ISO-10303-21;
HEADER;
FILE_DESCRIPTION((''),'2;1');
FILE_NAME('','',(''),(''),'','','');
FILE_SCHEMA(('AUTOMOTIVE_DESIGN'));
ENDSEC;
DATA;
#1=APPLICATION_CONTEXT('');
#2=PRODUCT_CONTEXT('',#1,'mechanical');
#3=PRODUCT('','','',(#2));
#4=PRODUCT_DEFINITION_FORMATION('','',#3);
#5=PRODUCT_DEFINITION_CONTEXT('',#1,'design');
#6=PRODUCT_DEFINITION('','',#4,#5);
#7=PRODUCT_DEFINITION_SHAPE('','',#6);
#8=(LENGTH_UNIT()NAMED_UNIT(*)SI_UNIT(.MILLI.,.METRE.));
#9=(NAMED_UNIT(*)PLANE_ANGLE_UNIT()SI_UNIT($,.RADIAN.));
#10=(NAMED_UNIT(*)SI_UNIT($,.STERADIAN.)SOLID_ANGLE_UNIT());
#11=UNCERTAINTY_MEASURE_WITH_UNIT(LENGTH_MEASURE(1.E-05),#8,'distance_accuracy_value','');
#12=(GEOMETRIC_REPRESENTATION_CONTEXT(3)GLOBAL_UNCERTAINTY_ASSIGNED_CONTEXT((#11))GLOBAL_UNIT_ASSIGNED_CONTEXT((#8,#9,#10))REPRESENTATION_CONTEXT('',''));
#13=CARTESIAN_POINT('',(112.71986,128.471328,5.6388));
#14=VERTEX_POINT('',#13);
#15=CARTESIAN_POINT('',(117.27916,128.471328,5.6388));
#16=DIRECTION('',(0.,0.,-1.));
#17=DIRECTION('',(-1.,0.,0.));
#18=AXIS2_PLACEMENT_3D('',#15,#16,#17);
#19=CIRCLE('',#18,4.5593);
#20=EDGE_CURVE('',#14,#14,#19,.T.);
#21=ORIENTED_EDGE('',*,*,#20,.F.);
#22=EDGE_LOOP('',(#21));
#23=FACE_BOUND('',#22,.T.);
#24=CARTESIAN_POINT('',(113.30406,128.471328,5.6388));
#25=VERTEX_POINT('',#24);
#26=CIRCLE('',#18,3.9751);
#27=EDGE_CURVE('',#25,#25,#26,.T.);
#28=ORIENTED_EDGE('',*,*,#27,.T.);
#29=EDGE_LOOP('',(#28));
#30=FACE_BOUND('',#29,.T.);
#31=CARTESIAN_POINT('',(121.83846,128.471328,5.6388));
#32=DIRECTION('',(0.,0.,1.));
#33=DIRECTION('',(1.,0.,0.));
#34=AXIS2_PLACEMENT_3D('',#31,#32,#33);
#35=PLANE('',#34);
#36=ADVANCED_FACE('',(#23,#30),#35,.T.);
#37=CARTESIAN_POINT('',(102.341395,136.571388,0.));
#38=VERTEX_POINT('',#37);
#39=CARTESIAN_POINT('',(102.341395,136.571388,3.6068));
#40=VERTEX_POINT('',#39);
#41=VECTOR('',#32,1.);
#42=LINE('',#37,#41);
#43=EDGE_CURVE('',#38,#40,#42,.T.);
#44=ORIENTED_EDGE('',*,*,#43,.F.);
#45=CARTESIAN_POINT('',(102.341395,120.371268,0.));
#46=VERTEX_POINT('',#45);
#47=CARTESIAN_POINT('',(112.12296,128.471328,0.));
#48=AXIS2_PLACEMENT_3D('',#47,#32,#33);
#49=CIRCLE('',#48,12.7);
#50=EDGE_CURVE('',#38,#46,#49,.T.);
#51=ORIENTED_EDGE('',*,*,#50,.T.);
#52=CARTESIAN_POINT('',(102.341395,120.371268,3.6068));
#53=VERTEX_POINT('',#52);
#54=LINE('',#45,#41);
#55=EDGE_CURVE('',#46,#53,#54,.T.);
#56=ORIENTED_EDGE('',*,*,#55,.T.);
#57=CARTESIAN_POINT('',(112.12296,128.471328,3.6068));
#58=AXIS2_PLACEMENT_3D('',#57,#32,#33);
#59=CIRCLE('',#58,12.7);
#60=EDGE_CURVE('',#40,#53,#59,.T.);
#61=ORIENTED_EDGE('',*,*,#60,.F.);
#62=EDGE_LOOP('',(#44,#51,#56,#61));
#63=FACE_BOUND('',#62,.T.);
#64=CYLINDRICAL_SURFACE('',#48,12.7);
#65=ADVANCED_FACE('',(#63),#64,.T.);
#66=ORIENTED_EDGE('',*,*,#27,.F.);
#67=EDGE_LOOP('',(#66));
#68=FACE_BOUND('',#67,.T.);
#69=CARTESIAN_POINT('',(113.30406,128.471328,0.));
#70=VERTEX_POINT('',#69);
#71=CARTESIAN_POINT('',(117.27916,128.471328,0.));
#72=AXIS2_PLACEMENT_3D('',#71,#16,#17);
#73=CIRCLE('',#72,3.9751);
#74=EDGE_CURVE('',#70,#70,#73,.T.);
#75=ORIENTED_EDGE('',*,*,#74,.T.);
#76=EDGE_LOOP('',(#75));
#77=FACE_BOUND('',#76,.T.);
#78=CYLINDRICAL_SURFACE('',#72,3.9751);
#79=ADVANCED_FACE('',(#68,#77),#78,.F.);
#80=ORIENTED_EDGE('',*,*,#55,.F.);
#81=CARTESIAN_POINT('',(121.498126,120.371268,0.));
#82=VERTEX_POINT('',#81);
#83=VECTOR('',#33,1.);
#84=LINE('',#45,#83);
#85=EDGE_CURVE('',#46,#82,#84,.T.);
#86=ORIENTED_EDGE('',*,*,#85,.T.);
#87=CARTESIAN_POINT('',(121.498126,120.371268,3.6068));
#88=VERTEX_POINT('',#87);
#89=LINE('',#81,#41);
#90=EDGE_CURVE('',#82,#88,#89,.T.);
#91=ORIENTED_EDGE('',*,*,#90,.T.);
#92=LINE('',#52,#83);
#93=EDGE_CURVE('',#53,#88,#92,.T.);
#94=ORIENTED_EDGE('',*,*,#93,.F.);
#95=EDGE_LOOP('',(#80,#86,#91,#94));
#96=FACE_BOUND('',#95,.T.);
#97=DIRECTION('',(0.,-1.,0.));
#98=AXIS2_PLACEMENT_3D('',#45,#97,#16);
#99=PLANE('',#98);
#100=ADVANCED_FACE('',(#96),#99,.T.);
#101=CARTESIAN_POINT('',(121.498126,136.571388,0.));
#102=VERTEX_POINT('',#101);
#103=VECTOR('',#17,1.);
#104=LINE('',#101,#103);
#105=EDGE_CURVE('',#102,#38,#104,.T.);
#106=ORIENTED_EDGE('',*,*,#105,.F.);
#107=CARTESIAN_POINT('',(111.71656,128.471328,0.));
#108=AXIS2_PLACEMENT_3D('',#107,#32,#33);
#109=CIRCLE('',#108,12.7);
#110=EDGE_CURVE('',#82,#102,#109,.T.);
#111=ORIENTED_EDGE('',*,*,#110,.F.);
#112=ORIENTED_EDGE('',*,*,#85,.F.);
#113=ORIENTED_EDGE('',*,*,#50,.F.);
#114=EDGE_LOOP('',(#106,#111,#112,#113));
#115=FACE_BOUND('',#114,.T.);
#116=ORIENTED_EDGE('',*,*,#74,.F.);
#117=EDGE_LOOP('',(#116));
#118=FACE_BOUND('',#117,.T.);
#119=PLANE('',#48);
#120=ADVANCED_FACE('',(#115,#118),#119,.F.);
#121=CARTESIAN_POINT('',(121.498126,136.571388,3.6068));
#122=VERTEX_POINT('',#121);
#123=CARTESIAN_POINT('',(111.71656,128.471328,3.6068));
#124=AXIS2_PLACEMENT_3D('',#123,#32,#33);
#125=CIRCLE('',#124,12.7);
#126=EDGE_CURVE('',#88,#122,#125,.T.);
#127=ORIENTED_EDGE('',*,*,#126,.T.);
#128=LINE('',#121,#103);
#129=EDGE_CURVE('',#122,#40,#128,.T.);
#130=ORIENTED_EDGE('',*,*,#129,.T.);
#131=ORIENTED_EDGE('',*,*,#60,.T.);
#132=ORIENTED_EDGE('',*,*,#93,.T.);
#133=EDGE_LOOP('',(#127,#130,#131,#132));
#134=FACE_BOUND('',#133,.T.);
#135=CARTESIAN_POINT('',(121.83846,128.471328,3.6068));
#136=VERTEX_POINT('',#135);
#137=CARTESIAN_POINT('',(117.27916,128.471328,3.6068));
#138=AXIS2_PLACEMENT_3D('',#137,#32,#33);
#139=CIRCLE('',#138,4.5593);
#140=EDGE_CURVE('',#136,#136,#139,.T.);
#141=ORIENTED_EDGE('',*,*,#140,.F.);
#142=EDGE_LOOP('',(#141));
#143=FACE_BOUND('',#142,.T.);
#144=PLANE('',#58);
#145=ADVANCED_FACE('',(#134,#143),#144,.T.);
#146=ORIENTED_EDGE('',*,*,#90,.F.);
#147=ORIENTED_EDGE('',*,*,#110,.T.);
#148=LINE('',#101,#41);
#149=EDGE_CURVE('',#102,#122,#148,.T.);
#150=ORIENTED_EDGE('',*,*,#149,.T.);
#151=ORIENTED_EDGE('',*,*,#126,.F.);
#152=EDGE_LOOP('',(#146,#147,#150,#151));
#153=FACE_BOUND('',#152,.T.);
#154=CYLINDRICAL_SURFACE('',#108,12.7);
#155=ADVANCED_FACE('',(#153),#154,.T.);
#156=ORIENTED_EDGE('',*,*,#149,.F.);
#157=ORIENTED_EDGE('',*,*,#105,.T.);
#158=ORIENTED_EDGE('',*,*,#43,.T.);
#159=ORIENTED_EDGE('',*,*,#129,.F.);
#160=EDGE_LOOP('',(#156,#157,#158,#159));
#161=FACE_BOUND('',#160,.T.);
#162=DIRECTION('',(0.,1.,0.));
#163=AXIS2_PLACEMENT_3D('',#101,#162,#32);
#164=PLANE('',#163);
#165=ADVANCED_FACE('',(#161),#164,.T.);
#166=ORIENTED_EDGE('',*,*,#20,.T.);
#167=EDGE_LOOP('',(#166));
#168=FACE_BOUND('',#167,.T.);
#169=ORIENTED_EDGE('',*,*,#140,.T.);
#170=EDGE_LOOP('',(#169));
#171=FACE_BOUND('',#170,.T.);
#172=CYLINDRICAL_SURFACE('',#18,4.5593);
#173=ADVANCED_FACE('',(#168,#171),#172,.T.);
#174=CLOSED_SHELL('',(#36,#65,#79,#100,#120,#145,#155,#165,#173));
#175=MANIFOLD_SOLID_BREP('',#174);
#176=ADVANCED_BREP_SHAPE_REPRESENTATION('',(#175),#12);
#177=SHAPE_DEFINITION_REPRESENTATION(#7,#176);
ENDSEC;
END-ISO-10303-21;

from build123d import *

# Parameters (mm, degrees)
BOSS_EXTRUDE1_DEPTH  = 3.6068
SKETCH2_W            = 4.5593
SKETCH2_H            = 2.032
M7_CLEARANCE_HOLE1_D = 7.9502


with BuildPart() as part:
    # Sketch1 → Boss-Extrude1 (new body)
    with BuildSketch(Plane.XY.offset(3.6068)):
        with BuildLine():
            Line((102.341394541, 120.371267572), (121.498125987, 120.371267572))
            ThreePointArc((121.498125987, 120.371267572), (124.416560264, 128.471327572), (121.498125987, 136.571387572))
            Line((121.498125987, 136.571387572), (102.341394541, 136.571387572))
            ThreePointArc((102.341394541, 136.571387572), (99.422960264, 128.471327572), (102.341394541, 120.371267572))
        make_face()
    extrude(amount=-BOSS_EXTRUDE1_DEPTH)

    # Sketch2 → Revolve1 (revolve)
    with BuildSketch(Plane.XZ.offset(-128.471327572), mode=Mode.PRIVATE) as revolve1_sk:
        with Locations((119.558810264, 4.6228)):
            Rectangle(SKETCH2_W, SKETCH2_H)
    revolve(revolve1_sk.sketch.rotate(Axis((117.279160264, 128.471327572, 5.6388), (0, 0, -1)), 180), axis=Axis((117.279160264, 128.471327572, 5.6388), (0, 0, -1)))

    # M7 Clearance Hole1 (through all)
    with Locations(Plane(origin=(0, 0, 0), x_dir=(-1, 0, 0), z_dir=(0, 0, -1))):
        with Locations((-117.279160264, 128.471327572)):
            Hole(M7_CLEARANCE_HOLE1_D / 2)


solid = part.part
